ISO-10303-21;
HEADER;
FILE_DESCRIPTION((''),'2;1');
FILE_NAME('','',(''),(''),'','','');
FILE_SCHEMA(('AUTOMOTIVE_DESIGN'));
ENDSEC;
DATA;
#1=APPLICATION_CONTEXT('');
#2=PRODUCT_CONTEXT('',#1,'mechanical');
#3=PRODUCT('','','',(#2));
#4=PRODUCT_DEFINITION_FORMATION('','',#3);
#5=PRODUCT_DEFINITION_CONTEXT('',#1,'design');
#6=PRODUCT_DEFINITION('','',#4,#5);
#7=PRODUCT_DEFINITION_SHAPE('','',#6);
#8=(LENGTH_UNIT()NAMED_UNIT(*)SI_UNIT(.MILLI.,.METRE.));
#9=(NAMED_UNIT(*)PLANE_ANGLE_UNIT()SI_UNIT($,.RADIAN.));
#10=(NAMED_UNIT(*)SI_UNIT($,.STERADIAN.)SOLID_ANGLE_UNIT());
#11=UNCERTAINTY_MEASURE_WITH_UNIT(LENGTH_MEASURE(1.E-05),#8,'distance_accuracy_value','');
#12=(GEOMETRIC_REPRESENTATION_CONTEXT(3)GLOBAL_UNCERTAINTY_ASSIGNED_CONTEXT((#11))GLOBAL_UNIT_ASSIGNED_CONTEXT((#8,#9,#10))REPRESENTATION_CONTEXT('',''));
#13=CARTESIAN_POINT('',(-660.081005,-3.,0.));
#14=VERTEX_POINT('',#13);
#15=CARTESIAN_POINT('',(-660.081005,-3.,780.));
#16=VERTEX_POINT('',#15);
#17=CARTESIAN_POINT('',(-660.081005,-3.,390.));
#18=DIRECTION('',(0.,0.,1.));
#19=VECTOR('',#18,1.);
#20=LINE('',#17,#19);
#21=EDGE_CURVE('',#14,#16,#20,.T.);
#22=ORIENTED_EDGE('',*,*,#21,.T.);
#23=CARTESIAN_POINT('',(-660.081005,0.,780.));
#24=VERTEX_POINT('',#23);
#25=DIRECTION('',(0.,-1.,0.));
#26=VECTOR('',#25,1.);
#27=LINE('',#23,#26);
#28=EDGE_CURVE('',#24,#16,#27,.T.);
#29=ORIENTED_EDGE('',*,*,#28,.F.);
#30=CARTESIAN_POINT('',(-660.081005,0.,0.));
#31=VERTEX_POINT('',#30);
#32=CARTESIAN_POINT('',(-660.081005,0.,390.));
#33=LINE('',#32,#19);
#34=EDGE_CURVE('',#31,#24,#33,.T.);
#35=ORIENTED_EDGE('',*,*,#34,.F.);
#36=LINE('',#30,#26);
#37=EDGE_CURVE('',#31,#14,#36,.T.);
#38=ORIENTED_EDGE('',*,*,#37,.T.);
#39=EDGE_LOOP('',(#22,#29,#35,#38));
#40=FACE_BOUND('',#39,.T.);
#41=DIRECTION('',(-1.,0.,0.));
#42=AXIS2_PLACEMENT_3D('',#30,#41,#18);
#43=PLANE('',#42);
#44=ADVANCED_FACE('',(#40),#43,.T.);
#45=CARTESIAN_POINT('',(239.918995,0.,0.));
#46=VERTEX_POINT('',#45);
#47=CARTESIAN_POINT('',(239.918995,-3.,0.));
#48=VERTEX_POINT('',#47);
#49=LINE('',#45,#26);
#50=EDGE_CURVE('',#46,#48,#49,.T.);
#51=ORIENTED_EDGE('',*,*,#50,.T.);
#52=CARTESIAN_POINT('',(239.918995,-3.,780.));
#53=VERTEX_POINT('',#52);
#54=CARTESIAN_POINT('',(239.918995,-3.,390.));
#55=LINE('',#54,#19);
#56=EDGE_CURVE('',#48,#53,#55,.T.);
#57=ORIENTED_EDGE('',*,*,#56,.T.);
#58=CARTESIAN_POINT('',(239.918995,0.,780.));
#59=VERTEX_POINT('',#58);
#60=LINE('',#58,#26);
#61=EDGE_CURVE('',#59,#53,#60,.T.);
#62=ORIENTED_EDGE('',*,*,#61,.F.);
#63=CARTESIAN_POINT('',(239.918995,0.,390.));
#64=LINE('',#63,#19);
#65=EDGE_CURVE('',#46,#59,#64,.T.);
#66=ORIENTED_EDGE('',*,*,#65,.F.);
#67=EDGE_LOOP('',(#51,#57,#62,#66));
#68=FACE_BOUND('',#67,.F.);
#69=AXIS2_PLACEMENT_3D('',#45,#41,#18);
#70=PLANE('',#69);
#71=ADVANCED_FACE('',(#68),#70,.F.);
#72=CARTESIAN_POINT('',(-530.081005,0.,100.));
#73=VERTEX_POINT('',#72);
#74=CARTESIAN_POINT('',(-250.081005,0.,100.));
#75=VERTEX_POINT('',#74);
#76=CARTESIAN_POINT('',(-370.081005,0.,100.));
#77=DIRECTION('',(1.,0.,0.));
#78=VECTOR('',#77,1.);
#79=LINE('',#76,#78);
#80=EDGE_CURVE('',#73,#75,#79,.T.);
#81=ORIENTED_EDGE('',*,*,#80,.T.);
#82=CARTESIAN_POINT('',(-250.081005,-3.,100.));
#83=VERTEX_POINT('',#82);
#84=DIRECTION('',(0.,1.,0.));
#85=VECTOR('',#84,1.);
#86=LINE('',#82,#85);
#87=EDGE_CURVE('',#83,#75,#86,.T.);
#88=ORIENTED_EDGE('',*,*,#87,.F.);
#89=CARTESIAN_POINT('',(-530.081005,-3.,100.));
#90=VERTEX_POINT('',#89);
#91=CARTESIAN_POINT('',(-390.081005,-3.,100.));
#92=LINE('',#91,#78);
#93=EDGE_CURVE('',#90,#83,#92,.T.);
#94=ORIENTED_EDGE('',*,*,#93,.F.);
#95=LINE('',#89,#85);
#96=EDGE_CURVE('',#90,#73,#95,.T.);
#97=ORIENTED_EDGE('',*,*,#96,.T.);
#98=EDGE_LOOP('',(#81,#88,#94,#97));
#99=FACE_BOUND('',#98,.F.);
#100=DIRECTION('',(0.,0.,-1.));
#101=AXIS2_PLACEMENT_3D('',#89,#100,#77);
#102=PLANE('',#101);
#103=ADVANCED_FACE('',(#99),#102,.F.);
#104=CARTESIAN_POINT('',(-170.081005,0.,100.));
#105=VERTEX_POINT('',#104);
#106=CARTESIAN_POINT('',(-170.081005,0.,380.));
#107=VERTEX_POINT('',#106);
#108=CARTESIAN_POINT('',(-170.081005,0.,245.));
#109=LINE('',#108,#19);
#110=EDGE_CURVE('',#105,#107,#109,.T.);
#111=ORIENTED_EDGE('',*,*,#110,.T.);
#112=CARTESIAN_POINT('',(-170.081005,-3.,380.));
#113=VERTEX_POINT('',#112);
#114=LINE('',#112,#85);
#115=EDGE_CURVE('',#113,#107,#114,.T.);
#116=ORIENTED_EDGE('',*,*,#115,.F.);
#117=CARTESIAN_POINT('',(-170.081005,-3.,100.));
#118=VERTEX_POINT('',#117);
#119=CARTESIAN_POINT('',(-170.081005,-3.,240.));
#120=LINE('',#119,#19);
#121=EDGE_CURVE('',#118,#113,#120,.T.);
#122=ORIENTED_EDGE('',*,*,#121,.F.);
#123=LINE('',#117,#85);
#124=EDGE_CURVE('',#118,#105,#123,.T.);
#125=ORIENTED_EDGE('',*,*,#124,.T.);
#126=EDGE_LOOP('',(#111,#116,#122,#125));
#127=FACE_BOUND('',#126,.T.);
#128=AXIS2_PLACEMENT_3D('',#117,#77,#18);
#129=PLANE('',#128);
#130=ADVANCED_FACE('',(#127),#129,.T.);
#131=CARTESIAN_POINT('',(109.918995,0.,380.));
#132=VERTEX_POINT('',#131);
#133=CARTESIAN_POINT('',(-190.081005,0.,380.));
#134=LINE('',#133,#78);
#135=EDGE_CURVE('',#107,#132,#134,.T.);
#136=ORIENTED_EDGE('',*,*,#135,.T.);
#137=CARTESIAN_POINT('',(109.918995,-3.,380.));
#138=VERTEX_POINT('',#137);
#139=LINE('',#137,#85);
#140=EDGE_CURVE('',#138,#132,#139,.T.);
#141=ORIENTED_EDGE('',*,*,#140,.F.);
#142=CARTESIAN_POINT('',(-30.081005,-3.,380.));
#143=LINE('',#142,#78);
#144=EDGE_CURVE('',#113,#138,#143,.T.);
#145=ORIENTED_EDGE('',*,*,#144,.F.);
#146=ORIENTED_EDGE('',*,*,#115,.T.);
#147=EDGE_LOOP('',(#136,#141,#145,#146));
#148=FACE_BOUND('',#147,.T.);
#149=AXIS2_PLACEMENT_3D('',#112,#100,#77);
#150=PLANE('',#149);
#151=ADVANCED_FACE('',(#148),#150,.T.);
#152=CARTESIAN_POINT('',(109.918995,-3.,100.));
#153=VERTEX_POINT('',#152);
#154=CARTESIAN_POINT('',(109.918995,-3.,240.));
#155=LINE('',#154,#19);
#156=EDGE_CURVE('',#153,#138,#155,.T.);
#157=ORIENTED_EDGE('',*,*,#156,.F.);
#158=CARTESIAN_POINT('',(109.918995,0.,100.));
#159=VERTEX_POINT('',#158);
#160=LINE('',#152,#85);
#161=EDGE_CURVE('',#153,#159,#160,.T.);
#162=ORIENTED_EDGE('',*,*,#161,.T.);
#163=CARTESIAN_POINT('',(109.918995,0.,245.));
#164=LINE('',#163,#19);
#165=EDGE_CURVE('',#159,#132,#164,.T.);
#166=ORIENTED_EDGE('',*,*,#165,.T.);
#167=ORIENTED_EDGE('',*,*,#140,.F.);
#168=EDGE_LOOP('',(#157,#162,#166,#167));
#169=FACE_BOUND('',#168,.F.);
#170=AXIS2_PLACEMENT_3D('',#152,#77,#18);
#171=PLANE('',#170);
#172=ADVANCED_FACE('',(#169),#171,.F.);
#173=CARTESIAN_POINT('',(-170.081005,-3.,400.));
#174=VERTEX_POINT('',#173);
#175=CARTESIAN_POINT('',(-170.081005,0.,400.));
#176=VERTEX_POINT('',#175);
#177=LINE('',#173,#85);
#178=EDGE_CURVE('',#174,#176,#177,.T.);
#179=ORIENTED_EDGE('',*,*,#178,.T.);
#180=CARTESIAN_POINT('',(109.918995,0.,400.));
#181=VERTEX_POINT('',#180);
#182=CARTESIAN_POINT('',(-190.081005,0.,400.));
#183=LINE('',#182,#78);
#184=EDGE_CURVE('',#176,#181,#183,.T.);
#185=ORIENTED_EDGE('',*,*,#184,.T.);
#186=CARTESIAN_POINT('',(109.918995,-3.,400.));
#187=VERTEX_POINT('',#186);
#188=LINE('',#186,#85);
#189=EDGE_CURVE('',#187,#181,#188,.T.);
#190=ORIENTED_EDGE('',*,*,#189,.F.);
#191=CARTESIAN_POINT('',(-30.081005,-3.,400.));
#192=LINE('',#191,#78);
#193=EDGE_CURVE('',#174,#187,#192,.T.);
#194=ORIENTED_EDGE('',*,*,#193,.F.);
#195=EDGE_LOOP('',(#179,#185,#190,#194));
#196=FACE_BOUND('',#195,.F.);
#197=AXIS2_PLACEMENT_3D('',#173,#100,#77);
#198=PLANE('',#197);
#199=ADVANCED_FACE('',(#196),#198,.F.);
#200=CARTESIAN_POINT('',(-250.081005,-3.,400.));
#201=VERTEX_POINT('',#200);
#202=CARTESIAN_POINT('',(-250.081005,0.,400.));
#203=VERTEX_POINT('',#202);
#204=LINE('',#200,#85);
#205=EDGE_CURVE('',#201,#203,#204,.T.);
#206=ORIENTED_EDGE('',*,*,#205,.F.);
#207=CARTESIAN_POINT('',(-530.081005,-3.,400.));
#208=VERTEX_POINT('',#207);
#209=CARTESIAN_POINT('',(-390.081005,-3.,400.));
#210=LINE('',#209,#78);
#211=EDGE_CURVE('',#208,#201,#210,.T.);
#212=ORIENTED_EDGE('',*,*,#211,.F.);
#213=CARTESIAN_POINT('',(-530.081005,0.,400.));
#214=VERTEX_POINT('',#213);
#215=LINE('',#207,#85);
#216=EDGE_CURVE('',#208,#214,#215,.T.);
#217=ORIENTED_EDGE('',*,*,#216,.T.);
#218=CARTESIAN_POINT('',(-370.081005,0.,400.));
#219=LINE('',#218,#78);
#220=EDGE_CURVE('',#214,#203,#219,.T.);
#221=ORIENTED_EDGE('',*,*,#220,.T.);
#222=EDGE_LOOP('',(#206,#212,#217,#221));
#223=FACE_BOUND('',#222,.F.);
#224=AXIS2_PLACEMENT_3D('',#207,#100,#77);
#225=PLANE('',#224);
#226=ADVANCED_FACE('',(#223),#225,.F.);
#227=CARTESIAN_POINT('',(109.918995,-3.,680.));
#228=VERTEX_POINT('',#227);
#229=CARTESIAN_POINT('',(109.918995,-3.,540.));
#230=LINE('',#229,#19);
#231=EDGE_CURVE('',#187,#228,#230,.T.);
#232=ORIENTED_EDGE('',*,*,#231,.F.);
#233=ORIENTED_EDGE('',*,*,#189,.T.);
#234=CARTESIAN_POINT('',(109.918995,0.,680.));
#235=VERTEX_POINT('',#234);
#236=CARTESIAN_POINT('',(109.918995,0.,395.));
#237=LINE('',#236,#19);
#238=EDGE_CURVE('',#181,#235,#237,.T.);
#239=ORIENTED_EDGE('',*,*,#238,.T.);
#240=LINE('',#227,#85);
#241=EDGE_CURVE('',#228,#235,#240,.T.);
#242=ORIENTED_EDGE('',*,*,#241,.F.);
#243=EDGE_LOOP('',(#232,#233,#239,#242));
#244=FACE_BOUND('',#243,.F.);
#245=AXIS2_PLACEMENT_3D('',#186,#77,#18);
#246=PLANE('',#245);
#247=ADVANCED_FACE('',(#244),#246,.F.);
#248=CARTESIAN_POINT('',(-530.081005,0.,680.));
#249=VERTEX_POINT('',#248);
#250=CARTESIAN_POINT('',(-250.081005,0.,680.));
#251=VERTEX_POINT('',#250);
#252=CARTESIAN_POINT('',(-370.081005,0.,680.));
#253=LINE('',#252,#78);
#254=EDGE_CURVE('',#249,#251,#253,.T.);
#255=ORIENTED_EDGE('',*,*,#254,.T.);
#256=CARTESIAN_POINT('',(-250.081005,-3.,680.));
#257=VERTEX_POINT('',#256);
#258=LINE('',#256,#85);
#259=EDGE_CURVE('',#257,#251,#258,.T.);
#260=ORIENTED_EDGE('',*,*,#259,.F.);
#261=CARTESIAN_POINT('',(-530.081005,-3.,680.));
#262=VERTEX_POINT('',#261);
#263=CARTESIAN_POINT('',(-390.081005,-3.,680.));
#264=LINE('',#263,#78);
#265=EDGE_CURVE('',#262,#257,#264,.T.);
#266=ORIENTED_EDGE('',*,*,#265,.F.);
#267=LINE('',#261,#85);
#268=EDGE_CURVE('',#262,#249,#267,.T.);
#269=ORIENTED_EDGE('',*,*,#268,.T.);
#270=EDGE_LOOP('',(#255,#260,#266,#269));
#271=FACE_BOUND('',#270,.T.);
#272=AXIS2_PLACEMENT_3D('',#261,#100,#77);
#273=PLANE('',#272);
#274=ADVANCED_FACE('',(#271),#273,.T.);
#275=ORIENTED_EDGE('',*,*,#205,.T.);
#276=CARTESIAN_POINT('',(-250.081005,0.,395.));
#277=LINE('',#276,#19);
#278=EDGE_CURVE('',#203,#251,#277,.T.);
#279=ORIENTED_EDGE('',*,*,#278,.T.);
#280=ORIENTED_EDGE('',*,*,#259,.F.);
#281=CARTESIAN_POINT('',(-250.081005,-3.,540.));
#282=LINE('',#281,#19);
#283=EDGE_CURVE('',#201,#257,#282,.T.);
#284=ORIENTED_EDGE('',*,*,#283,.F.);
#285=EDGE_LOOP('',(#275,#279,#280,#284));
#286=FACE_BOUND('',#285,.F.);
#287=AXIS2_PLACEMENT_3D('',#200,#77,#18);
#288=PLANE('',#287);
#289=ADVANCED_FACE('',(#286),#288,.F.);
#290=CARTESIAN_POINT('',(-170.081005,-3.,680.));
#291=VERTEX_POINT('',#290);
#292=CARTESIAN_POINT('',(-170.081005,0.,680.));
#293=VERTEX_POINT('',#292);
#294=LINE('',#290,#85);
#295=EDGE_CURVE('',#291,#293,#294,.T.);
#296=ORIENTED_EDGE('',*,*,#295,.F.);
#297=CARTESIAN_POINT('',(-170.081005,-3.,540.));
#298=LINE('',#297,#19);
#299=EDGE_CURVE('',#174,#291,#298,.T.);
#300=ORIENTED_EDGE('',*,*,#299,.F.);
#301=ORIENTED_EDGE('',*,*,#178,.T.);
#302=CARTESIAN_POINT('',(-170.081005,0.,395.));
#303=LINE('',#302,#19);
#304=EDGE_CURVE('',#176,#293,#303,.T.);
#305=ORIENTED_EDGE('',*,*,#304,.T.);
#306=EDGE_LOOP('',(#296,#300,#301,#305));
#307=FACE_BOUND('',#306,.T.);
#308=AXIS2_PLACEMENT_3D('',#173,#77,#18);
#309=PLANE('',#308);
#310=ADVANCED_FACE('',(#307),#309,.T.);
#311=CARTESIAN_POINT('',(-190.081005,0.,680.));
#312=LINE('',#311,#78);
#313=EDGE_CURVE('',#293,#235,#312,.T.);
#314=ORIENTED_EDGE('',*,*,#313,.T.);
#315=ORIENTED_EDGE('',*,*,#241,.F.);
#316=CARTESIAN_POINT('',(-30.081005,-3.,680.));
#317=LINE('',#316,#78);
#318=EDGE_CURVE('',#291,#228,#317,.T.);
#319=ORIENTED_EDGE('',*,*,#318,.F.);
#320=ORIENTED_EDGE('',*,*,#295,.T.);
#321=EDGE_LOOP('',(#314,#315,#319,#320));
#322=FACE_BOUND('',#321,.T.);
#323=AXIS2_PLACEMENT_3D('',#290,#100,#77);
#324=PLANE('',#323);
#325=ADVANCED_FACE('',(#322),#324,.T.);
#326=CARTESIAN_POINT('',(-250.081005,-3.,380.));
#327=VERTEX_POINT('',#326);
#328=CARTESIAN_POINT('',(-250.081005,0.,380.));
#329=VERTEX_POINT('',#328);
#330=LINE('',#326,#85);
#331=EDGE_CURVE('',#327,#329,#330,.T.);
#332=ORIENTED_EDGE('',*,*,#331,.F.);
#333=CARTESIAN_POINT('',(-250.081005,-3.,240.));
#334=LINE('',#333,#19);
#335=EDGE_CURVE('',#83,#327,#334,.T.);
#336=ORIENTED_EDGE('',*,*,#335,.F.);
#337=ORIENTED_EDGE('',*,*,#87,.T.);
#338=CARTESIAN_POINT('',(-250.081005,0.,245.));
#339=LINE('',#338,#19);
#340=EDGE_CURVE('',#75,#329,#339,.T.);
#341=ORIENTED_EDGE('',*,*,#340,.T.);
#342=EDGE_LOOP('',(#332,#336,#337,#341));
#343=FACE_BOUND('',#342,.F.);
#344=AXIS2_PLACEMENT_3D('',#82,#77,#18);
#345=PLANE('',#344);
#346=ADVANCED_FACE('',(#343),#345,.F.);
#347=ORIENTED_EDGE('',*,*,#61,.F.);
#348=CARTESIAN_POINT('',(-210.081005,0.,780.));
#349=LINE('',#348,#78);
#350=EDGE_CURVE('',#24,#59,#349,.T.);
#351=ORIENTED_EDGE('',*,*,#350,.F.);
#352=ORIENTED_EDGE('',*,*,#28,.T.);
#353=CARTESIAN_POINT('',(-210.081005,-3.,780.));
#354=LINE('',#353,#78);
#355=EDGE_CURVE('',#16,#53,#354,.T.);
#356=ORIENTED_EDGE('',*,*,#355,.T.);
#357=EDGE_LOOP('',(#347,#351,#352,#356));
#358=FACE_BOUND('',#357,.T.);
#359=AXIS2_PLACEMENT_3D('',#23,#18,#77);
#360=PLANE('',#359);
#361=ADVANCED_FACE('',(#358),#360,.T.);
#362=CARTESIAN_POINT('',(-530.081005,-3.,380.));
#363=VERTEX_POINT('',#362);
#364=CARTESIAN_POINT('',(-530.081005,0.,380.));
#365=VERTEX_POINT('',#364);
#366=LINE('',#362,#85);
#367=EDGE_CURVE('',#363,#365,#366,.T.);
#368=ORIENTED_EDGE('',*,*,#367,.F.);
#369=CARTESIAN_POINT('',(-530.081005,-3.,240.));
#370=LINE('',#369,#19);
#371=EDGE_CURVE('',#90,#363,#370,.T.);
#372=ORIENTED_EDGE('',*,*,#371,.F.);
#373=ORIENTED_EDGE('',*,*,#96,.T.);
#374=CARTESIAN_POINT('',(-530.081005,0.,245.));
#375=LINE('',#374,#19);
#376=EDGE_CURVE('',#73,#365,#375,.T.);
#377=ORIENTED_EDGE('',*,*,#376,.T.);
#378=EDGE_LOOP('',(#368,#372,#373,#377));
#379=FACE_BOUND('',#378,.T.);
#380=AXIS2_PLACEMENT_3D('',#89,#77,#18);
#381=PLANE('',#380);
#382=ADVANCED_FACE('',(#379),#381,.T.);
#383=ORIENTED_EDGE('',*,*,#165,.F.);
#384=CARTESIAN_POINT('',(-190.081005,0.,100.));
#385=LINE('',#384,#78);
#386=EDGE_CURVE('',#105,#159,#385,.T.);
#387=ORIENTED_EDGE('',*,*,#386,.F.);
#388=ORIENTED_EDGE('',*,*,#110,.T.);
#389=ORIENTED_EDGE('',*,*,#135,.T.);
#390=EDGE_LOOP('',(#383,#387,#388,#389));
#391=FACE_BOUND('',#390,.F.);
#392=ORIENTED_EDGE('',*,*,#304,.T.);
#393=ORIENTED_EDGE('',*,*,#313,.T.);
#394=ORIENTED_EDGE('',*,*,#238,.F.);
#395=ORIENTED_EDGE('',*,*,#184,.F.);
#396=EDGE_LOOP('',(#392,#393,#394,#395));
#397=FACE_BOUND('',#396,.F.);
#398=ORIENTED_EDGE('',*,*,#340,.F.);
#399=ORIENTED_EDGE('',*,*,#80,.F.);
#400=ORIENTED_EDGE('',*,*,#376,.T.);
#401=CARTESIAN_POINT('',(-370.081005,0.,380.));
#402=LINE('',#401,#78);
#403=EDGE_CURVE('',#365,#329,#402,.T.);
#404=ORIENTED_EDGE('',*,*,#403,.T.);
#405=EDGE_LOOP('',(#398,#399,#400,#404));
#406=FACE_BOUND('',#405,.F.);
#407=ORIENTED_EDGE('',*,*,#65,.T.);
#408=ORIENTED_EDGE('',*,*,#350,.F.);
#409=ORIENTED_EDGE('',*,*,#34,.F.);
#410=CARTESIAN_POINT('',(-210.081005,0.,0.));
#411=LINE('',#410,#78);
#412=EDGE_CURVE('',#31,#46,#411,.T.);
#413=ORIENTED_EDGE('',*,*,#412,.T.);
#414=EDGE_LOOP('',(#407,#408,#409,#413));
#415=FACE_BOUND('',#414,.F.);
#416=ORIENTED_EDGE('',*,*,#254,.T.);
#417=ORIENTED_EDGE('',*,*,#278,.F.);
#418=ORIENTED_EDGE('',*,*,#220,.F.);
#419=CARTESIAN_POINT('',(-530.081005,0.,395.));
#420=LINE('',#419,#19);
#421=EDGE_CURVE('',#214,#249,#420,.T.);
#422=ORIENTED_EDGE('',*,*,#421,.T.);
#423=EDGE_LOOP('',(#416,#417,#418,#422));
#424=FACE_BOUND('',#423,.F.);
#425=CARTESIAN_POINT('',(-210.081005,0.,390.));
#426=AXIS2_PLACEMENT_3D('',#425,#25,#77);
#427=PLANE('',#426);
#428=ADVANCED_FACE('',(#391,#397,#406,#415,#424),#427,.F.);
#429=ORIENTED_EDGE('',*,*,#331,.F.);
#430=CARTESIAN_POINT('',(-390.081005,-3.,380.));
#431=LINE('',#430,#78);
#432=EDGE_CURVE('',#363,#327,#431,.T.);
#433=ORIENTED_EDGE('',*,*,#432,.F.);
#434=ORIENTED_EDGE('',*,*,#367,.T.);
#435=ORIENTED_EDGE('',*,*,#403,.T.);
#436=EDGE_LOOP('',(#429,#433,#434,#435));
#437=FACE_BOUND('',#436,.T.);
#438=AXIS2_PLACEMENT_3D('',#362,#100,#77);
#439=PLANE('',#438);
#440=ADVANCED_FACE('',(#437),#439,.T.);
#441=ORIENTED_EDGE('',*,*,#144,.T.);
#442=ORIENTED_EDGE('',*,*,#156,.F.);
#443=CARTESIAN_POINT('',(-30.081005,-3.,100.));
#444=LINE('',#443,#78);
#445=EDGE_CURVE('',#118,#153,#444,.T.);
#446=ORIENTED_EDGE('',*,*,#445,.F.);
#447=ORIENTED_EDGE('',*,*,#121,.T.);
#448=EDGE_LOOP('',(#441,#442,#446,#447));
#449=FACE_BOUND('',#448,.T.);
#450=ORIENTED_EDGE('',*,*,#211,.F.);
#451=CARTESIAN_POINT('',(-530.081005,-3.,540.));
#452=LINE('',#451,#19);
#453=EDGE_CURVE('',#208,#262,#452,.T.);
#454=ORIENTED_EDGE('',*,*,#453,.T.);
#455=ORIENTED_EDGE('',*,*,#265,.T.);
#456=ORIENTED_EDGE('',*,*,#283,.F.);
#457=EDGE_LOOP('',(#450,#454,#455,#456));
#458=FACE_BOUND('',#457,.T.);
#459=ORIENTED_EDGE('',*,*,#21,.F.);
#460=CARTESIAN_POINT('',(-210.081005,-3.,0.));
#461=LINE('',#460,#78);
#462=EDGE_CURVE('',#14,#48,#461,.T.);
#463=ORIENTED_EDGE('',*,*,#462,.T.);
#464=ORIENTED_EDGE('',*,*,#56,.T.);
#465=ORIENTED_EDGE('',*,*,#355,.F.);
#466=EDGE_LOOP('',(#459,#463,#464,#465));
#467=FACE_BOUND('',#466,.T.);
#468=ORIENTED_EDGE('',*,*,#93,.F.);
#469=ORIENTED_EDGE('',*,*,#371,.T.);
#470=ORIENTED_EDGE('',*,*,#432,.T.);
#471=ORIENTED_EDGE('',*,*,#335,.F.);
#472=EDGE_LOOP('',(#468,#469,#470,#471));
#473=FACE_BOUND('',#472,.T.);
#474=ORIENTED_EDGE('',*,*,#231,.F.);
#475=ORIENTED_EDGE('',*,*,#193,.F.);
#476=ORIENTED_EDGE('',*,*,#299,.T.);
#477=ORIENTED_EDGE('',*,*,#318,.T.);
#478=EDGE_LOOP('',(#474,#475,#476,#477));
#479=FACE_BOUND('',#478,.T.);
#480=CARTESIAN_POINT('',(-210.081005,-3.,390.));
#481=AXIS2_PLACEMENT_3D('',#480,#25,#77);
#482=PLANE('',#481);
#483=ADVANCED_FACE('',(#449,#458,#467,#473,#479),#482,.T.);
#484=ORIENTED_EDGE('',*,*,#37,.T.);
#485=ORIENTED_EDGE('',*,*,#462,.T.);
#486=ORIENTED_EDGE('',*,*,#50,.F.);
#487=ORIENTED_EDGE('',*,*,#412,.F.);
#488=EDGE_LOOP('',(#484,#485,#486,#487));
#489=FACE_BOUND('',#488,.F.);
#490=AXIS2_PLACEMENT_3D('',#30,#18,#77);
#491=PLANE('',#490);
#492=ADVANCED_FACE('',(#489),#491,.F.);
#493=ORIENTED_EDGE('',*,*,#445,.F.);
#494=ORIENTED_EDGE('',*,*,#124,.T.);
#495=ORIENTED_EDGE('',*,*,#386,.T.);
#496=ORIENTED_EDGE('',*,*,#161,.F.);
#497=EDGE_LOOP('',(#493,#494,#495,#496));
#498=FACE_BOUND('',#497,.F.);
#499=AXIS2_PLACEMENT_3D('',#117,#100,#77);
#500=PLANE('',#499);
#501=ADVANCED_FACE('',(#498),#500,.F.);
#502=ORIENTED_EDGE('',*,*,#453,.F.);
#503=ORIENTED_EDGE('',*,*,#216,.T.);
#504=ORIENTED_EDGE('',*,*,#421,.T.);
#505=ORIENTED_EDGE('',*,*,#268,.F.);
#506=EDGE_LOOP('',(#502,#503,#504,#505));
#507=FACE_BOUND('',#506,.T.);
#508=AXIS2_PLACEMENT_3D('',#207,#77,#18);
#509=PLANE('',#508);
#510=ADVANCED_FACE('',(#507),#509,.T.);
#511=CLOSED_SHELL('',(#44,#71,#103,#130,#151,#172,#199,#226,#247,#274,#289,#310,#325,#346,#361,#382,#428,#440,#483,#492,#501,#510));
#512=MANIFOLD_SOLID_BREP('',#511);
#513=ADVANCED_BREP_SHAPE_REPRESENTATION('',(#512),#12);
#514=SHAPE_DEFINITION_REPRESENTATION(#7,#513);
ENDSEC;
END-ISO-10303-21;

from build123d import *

# Parameters (mm, degrees)
F0_W     = 900
F0_H     = 780
F1_DEPTH = 3
F2_W     = 280
F2_H     = 280
F3_DEPTH = 5


with BuildPart() as f1:
    # F0 (on Front) → F1 (new body)
    with BuildSketch(Plane.XZ):
        with Locations((-210.081005, 390)):
            Rectangle(F0_W, F0_H)
    extrude(amount=F1_DEPTH)

    # F2 (on face) → F3 (cut)
    with BuildSketch(Plane.XZ.offset(3)):
        with Locations((-390.081005, 540)):
            Rectangle(F2_W, F2_H)
        with Locations((-30.081005, 540)):
            Rectangle(F2_W, F2_H)
        with Locations((-30.081005, 240)):
            Rectangle(F2_W, F2_H)
        with Locations((-390.081005, 240)):
            Rectangle(F2_W, F2_H)
    extrude(amount=-F3_DEPTH, mode=Mode.SUBTRACT)


solid = f1.part
